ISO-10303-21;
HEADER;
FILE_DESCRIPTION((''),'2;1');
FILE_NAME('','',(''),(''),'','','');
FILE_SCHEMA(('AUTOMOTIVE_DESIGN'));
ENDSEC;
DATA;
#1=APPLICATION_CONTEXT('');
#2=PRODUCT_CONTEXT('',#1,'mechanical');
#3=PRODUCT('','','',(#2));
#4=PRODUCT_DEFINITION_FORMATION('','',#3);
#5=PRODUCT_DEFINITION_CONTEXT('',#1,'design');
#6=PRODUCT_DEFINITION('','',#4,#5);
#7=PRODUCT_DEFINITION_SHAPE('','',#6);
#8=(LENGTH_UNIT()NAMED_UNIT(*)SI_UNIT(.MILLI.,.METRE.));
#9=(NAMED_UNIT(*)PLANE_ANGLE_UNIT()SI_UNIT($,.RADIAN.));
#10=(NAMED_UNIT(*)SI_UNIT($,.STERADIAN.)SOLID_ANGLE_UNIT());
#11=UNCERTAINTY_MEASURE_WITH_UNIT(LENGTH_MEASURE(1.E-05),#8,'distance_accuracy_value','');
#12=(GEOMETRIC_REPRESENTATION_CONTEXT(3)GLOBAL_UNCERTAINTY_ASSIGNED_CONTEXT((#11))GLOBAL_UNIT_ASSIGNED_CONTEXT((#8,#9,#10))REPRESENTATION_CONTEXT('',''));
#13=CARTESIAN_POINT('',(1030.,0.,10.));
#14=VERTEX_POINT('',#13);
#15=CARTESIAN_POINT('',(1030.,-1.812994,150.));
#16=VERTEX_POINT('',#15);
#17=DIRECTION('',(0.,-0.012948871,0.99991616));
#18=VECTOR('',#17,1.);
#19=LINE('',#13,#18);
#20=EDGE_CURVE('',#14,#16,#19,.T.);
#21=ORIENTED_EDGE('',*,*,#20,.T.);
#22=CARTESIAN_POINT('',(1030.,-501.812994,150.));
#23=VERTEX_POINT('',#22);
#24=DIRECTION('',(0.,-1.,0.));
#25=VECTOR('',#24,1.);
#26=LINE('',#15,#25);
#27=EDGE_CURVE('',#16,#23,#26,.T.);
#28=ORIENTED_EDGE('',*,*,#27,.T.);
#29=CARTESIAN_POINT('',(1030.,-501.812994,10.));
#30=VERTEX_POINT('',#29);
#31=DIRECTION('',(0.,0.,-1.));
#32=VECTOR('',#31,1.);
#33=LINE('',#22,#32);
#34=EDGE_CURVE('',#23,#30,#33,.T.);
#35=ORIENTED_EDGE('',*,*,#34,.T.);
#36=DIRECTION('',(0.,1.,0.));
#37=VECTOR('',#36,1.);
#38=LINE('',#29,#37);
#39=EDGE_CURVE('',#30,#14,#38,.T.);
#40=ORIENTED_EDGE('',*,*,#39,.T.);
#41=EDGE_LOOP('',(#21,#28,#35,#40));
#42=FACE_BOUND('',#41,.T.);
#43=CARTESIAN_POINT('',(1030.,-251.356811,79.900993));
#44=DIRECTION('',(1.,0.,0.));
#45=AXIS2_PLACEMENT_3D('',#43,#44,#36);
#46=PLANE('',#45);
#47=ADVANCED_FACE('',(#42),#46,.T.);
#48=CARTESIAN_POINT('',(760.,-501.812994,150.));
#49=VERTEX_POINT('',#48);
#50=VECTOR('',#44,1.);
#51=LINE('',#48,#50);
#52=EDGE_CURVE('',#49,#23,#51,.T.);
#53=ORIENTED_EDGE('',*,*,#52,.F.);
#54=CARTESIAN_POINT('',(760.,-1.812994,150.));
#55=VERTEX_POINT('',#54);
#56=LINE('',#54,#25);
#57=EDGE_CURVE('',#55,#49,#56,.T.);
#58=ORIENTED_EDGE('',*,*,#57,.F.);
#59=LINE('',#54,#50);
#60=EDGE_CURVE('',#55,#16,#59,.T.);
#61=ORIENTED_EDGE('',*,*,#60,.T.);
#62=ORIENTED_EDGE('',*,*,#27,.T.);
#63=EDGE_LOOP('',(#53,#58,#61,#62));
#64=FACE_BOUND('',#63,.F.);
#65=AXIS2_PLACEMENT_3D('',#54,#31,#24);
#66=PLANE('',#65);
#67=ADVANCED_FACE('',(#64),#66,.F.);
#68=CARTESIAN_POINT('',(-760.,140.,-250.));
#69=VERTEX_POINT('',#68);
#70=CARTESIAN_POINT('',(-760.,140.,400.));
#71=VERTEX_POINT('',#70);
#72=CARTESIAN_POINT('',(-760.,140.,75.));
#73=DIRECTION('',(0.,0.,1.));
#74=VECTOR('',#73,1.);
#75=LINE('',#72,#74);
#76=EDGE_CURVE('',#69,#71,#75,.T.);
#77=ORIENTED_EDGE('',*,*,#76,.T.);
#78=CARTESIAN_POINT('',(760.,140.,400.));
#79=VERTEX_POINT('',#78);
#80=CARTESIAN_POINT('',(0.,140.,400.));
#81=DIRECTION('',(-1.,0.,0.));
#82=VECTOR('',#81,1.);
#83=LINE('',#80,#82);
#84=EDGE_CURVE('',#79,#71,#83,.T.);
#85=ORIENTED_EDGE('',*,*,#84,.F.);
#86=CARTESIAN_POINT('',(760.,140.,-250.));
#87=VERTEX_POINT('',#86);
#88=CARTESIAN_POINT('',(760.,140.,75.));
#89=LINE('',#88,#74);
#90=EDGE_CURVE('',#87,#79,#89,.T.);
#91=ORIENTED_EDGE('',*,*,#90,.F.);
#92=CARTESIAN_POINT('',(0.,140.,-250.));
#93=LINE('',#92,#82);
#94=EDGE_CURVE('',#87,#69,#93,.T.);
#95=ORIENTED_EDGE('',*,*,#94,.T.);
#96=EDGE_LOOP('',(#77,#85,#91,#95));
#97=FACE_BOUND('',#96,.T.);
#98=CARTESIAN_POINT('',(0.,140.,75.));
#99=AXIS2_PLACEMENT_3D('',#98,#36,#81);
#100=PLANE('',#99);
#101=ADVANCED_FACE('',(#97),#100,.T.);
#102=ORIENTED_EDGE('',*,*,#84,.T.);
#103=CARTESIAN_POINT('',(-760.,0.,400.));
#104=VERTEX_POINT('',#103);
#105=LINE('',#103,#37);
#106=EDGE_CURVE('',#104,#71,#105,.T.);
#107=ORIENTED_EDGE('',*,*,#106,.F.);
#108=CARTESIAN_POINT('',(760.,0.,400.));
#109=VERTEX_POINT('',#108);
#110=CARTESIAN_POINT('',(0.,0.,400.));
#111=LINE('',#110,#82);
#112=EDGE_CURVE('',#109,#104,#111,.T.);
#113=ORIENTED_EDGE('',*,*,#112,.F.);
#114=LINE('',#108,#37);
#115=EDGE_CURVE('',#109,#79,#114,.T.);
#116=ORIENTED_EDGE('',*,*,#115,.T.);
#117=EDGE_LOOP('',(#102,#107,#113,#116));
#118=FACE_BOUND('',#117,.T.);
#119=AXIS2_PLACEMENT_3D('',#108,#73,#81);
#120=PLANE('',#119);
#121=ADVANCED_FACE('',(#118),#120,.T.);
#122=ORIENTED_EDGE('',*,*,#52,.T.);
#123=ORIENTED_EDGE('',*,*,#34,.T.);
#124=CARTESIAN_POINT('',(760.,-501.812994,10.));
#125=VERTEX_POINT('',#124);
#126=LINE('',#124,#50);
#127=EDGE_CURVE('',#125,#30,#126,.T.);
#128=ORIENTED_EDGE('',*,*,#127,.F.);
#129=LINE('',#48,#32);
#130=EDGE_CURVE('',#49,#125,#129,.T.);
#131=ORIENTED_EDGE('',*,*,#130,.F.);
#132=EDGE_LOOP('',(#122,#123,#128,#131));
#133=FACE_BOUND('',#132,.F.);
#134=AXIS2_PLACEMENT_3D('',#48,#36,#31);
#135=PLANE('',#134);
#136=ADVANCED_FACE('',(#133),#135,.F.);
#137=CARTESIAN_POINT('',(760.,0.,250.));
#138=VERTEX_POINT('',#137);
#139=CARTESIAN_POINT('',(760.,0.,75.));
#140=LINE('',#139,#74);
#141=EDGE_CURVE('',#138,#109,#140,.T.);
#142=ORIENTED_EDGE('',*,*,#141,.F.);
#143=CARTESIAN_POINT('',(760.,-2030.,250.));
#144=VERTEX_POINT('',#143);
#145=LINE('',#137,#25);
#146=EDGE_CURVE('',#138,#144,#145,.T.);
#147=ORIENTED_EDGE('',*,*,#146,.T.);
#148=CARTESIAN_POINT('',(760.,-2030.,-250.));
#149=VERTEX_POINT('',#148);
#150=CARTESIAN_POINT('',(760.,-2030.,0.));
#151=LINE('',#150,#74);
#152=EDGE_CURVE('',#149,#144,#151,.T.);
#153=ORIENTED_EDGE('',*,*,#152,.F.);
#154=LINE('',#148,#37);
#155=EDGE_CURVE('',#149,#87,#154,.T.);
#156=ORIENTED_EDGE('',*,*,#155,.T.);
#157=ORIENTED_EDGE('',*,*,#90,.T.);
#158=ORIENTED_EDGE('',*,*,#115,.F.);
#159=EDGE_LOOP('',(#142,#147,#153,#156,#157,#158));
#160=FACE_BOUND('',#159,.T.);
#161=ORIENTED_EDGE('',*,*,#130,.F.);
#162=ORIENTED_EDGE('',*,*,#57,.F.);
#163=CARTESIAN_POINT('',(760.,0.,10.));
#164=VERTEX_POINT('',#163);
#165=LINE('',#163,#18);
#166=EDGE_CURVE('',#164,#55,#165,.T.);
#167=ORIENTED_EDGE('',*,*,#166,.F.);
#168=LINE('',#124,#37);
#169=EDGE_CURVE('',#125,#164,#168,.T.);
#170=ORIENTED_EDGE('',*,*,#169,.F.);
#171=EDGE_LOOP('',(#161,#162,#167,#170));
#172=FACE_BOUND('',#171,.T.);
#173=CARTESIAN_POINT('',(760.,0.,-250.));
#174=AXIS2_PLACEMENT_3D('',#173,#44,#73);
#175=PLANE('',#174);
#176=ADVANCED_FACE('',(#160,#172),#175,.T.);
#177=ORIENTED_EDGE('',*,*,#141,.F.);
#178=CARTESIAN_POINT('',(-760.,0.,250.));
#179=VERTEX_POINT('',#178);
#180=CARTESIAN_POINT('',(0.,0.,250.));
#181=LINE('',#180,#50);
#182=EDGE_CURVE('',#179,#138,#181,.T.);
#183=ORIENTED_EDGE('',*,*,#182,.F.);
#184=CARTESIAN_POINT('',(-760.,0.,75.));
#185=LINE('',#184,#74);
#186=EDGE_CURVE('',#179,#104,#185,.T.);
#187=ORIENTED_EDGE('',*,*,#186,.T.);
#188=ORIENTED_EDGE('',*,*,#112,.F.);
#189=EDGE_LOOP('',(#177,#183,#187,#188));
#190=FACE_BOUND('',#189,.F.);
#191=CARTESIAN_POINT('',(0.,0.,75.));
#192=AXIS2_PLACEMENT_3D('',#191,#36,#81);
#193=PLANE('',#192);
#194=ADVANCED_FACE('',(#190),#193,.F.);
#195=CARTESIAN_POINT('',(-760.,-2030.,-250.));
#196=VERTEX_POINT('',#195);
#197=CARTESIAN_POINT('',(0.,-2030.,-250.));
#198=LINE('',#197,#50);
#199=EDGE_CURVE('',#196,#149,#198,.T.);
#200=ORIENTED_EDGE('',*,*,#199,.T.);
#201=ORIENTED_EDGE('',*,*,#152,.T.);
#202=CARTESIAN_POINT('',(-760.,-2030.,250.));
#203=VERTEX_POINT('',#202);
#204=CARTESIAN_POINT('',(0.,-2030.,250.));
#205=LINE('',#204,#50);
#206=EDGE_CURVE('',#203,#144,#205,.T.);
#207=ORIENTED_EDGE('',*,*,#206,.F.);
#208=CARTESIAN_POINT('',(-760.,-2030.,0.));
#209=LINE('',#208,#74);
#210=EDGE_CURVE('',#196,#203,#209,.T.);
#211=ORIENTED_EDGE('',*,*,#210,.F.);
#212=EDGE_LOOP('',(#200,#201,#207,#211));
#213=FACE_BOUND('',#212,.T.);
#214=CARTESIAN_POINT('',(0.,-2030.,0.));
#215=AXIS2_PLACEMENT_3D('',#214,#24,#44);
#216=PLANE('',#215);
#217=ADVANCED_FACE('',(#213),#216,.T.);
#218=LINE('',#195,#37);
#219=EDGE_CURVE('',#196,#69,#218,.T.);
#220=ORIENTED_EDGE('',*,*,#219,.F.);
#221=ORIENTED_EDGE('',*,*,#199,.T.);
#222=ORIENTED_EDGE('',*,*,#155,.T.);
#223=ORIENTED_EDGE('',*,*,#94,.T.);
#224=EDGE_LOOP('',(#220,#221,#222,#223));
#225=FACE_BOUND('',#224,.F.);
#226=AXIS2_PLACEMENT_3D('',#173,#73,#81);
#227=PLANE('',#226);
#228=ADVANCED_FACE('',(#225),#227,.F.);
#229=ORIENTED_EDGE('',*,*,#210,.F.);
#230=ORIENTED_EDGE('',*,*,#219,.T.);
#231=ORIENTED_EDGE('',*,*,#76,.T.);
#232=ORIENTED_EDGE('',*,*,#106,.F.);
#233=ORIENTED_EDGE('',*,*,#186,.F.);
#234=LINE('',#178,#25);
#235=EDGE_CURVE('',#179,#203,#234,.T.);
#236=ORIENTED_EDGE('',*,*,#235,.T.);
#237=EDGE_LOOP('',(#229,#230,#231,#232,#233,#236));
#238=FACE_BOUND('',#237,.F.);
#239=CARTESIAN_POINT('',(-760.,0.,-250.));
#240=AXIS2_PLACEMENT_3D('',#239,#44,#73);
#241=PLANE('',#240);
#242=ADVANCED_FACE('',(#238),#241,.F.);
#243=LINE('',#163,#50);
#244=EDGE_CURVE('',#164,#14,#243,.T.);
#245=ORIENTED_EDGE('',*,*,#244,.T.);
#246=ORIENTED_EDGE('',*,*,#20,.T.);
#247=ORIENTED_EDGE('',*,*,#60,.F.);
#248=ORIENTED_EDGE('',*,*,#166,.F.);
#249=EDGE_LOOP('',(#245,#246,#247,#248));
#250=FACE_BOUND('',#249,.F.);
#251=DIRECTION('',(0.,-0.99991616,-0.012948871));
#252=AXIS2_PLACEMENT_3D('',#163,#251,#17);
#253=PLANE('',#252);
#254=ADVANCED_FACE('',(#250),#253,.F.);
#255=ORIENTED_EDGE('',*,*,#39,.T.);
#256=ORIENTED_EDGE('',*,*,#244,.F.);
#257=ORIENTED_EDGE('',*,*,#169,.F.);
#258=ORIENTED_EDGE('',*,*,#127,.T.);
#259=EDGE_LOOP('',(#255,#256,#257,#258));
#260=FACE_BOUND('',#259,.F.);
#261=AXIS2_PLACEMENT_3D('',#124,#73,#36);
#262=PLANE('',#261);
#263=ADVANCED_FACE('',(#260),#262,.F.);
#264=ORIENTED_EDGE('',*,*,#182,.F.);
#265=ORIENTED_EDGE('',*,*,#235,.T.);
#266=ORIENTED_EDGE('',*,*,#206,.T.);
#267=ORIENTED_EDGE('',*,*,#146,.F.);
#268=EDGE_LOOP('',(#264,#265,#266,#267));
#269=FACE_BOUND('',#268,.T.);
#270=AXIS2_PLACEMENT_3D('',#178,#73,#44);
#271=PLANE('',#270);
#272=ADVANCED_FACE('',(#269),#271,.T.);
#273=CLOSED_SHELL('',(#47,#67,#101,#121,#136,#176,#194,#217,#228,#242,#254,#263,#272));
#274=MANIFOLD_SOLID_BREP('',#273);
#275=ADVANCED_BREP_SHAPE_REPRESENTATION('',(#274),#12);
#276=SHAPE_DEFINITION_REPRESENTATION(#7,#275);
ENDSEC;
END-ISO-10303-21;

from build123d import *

# Parameters (mm, degrees)
F0_W     = 1520
F0_H     = 500
F1_DEPTH = 2030
F2_W     = 1520
F2_H     = 650
F3_DEPTH = 140
F5_DEPTH = 270


with BuildPart() as f1:
    # F0 (on Front) → F1 (new body)
    with BuildSketch(Plane.XZ):
        Rectangle(F0_W, F0_H)
    extrude(amount=F1_DEPTH)



with BuildPart() as f3:
    # F2 (on face) → F3 (new body)
    with BuildSketch(Plane(origin=(0, 0, 0), x_dir=(-1, 0, 0), z_dir=(0, 1, 0))):
        with Locations((0, 75)):
            Rectangle(F2_W, F2_H)
    extrude(amount=F3_DEPTH)


with BuildPart() as f1_1:
    add(f1.part)

    add(f3.part)  # F5 merges F3
    # F4 (on face) → F5 (join)
    with BuildSketch(Plane.YZ.offset(760)):
        Polygon((0, 10), (-1.812994, 150), (-501.812994, 150), (-501.812994, 10), align=None)
    extrude(amount=F5_DEPTH)


solid = f1_1.part
